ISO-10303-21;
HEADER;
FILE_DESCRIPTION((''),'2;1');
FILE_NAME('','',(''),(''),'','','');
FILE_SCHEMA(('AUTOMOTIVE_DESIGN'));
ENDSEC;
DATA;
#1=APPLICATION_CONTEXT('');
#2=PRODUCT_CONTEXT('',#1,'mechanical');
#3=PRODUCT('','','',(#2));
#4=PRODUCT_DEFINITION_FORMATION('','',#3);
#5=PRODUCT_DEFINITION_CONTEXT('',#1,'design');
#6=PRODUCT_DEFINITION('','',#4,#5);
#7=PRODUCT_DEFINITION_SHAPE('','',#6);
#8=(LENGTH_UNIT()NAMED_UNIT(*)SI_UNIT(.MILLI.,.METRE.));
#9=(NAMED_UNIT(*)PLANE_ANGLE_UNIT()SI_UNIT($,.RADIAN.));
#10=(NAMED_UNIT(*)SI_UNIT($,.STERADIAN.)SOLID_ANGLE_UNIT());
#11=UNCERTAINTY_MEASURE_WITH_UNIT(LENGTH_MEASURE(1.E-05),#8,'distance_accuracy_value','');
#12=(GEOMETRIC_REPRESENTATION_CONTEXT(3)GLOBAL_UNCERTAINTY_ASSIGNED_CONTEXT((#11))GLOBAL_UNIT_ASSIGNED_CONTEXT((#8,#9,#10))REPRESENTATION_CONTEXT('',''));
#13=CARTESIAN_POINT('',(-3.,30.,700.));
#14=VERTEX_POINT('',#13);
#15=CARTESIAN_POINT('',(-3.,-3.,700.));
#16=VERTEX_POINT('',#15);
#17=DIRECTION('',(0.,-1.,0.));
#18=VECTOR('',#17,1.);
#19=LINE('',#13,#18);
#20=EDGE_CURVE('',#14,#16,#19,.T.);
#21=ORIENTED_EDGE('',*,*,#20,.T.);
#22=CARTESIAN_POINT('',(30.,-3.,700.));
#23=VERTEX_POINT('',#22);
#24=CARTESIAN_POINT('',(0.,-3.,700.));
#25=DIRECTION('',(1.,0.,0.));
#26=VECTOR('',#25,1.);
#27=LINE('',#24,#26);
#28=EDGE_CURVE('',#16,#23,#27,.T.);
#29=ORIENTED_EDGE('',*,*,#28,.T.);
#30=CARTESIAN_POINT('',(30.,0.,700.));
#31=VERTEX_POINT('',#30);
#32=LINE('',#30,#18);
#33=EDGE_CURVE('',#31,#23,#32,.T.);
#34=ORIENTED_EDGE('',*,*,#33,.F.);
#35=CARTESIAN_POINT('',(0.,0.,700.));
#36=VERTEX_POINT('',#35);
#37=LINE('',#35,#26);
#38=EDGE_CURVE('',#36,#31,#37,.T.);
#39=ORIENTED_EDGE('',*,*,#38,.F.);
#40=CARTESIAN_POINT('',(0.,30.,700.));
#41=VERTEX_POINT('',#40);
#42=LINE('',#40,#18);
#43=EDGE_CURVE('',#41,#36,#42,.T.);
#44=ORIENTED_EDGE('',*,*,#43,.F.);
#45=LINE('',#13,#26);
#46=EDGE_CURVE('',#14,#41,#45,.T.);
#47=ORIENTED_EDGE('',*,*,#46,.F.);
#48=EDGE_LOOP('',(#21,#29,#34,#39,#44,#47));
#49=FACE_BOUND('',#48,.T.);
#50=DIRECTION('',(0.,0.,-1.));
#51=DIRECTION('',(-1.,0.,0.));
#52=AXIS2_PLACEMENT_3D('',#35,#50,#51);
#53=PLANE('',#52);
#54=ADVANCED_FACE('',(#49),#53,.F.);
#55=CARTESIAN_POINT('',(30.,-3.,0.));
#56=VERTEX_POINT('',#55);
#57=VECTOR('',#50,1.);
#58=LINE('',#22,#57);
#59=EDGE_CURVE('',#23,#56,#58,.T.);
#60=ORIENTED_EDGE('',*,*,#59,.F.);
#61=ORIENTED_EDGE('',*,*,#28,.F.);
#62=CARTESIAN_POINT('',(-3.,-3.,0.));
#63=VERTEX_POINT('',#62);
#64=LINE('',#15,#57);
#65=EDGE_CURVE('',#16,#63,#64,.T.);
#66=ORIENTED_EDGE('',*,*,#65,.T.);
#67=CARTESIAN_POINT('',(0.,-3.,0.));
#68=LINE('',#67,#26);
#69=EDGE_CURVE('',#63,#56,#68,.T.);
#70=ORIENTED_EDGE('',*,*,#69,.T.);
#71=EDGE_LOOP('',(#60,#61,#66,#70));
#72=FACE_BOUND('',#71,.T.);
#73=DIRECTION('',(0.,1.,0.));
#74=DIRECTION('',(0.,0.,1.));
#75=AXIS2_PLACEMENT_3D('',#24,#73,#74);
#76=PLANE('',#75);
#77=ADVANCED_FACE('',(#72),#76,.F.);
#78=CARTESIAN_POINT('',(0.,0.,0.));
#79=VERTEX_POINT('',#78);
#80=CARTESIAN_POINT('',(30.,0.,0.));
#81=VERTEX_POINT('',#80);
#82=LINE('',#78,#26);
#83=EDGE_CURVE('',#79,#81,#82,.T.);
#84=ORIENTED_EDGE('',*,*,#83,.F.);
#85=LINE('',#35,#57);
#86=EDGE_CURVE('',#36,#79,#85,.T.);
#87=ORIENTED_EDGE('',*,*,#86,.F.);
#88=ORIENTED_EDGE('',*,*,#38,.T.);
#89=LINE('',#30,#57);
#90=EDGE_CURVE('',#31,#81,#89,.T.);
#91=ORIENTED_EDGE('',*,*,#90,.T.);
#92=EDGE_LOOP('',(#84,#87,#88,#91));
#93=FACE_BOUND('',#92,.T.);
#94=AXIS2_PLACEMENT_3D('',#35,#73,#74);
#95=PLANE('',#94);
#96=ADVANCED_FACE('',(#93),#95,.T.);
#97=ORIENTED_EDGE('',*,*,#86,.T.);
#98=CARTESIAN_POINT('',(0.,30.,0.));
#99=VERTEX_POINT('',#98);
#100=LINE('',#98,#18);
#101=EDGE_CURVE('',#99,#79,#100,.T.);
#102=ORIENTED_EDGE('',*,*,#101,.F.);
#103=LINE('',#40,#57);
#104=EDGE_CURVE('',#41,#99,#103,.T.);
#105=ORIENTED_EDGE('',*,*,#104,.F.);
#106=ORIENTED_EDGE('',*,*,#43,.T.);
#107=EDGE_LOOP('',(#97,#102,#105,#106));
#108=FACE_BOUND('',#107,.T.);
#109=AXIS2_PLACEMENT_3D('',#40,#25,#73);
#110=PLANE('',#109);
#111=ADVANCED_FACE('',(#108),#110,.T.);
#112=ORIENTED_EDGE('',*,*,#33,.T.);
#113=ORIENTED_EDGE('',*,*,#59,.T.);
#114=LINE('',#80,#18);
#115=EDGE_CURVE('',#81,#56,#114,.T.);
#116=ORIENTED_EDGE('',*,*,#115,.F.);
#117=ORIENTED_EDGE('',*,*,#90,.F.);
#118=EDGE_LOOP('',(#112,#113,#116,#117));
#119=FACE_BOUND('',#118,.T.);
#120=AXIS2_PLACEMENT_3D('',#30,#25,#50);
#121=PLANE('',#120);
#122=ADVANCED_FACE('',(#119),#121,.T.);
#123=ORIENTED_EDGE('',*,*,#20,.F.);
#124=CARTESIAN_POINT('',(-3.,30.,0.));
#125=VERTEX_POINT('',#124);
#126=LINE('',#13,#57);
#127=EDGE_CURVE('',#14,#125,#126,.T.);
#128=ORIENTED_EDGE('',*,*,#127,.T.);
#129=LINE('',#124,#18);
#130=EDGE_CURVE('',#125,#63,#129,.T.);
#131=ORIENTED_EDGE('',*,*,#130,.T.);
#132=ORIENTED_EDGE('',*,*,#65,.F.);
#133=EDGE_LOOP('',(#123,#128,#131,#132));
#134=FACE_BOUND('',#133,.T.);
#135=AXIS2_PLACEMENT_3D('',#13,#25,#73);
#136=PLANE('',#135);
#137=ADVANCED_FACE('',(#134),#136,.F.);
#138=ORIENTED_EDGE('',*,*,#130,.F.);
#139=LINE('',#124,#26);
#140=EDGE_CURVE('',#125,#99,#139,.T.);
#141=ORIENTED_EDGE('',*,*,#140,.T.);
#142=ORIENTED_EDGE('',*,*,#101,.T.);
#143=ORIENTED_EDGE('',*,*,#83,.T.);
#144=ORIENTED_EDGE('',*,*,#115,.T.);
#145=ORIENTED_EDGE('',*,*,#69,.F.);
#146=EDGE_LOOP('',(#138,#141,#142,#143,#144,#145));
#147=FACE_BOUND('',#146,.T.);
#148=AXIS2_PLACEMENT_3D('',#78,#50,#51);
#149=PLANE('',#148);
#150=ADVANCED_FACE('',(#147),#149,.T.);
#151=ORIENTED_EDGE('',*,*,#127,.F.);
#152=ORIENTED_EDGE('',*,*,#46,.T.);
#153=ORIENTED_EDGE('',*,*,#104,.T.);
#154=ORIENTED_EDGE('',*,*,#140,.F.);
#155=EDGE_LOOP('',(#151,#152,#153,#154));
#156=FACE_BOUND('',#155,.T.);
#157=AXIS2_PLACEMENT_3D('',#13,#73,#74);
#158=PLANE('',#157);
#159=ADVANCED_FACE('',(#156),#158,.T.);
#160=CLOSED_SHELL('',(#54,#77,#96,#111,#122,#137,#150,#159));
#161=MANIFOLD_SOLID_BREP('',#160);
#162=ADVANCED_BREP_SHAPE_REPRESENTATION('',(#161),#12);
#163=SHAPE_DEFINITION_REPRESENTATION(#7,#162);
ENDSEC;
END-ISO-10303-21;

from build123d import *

# Parameters (mm, degrees)
EXTRUDE_1_DEPTH = 700


with BuildPart() as part:
    # Эскиз1 → Вытянуть-Тонкостенный1 (new body)
    with BuildSketch(Plane.XY):
        Polygon((0, 30), (0, 0), (30, 0), (30, -3), (-3, -3), (-3, 30), align=None)
    extrude(amount=EXTRUDE_1_DEPTH)


solid = part.part
